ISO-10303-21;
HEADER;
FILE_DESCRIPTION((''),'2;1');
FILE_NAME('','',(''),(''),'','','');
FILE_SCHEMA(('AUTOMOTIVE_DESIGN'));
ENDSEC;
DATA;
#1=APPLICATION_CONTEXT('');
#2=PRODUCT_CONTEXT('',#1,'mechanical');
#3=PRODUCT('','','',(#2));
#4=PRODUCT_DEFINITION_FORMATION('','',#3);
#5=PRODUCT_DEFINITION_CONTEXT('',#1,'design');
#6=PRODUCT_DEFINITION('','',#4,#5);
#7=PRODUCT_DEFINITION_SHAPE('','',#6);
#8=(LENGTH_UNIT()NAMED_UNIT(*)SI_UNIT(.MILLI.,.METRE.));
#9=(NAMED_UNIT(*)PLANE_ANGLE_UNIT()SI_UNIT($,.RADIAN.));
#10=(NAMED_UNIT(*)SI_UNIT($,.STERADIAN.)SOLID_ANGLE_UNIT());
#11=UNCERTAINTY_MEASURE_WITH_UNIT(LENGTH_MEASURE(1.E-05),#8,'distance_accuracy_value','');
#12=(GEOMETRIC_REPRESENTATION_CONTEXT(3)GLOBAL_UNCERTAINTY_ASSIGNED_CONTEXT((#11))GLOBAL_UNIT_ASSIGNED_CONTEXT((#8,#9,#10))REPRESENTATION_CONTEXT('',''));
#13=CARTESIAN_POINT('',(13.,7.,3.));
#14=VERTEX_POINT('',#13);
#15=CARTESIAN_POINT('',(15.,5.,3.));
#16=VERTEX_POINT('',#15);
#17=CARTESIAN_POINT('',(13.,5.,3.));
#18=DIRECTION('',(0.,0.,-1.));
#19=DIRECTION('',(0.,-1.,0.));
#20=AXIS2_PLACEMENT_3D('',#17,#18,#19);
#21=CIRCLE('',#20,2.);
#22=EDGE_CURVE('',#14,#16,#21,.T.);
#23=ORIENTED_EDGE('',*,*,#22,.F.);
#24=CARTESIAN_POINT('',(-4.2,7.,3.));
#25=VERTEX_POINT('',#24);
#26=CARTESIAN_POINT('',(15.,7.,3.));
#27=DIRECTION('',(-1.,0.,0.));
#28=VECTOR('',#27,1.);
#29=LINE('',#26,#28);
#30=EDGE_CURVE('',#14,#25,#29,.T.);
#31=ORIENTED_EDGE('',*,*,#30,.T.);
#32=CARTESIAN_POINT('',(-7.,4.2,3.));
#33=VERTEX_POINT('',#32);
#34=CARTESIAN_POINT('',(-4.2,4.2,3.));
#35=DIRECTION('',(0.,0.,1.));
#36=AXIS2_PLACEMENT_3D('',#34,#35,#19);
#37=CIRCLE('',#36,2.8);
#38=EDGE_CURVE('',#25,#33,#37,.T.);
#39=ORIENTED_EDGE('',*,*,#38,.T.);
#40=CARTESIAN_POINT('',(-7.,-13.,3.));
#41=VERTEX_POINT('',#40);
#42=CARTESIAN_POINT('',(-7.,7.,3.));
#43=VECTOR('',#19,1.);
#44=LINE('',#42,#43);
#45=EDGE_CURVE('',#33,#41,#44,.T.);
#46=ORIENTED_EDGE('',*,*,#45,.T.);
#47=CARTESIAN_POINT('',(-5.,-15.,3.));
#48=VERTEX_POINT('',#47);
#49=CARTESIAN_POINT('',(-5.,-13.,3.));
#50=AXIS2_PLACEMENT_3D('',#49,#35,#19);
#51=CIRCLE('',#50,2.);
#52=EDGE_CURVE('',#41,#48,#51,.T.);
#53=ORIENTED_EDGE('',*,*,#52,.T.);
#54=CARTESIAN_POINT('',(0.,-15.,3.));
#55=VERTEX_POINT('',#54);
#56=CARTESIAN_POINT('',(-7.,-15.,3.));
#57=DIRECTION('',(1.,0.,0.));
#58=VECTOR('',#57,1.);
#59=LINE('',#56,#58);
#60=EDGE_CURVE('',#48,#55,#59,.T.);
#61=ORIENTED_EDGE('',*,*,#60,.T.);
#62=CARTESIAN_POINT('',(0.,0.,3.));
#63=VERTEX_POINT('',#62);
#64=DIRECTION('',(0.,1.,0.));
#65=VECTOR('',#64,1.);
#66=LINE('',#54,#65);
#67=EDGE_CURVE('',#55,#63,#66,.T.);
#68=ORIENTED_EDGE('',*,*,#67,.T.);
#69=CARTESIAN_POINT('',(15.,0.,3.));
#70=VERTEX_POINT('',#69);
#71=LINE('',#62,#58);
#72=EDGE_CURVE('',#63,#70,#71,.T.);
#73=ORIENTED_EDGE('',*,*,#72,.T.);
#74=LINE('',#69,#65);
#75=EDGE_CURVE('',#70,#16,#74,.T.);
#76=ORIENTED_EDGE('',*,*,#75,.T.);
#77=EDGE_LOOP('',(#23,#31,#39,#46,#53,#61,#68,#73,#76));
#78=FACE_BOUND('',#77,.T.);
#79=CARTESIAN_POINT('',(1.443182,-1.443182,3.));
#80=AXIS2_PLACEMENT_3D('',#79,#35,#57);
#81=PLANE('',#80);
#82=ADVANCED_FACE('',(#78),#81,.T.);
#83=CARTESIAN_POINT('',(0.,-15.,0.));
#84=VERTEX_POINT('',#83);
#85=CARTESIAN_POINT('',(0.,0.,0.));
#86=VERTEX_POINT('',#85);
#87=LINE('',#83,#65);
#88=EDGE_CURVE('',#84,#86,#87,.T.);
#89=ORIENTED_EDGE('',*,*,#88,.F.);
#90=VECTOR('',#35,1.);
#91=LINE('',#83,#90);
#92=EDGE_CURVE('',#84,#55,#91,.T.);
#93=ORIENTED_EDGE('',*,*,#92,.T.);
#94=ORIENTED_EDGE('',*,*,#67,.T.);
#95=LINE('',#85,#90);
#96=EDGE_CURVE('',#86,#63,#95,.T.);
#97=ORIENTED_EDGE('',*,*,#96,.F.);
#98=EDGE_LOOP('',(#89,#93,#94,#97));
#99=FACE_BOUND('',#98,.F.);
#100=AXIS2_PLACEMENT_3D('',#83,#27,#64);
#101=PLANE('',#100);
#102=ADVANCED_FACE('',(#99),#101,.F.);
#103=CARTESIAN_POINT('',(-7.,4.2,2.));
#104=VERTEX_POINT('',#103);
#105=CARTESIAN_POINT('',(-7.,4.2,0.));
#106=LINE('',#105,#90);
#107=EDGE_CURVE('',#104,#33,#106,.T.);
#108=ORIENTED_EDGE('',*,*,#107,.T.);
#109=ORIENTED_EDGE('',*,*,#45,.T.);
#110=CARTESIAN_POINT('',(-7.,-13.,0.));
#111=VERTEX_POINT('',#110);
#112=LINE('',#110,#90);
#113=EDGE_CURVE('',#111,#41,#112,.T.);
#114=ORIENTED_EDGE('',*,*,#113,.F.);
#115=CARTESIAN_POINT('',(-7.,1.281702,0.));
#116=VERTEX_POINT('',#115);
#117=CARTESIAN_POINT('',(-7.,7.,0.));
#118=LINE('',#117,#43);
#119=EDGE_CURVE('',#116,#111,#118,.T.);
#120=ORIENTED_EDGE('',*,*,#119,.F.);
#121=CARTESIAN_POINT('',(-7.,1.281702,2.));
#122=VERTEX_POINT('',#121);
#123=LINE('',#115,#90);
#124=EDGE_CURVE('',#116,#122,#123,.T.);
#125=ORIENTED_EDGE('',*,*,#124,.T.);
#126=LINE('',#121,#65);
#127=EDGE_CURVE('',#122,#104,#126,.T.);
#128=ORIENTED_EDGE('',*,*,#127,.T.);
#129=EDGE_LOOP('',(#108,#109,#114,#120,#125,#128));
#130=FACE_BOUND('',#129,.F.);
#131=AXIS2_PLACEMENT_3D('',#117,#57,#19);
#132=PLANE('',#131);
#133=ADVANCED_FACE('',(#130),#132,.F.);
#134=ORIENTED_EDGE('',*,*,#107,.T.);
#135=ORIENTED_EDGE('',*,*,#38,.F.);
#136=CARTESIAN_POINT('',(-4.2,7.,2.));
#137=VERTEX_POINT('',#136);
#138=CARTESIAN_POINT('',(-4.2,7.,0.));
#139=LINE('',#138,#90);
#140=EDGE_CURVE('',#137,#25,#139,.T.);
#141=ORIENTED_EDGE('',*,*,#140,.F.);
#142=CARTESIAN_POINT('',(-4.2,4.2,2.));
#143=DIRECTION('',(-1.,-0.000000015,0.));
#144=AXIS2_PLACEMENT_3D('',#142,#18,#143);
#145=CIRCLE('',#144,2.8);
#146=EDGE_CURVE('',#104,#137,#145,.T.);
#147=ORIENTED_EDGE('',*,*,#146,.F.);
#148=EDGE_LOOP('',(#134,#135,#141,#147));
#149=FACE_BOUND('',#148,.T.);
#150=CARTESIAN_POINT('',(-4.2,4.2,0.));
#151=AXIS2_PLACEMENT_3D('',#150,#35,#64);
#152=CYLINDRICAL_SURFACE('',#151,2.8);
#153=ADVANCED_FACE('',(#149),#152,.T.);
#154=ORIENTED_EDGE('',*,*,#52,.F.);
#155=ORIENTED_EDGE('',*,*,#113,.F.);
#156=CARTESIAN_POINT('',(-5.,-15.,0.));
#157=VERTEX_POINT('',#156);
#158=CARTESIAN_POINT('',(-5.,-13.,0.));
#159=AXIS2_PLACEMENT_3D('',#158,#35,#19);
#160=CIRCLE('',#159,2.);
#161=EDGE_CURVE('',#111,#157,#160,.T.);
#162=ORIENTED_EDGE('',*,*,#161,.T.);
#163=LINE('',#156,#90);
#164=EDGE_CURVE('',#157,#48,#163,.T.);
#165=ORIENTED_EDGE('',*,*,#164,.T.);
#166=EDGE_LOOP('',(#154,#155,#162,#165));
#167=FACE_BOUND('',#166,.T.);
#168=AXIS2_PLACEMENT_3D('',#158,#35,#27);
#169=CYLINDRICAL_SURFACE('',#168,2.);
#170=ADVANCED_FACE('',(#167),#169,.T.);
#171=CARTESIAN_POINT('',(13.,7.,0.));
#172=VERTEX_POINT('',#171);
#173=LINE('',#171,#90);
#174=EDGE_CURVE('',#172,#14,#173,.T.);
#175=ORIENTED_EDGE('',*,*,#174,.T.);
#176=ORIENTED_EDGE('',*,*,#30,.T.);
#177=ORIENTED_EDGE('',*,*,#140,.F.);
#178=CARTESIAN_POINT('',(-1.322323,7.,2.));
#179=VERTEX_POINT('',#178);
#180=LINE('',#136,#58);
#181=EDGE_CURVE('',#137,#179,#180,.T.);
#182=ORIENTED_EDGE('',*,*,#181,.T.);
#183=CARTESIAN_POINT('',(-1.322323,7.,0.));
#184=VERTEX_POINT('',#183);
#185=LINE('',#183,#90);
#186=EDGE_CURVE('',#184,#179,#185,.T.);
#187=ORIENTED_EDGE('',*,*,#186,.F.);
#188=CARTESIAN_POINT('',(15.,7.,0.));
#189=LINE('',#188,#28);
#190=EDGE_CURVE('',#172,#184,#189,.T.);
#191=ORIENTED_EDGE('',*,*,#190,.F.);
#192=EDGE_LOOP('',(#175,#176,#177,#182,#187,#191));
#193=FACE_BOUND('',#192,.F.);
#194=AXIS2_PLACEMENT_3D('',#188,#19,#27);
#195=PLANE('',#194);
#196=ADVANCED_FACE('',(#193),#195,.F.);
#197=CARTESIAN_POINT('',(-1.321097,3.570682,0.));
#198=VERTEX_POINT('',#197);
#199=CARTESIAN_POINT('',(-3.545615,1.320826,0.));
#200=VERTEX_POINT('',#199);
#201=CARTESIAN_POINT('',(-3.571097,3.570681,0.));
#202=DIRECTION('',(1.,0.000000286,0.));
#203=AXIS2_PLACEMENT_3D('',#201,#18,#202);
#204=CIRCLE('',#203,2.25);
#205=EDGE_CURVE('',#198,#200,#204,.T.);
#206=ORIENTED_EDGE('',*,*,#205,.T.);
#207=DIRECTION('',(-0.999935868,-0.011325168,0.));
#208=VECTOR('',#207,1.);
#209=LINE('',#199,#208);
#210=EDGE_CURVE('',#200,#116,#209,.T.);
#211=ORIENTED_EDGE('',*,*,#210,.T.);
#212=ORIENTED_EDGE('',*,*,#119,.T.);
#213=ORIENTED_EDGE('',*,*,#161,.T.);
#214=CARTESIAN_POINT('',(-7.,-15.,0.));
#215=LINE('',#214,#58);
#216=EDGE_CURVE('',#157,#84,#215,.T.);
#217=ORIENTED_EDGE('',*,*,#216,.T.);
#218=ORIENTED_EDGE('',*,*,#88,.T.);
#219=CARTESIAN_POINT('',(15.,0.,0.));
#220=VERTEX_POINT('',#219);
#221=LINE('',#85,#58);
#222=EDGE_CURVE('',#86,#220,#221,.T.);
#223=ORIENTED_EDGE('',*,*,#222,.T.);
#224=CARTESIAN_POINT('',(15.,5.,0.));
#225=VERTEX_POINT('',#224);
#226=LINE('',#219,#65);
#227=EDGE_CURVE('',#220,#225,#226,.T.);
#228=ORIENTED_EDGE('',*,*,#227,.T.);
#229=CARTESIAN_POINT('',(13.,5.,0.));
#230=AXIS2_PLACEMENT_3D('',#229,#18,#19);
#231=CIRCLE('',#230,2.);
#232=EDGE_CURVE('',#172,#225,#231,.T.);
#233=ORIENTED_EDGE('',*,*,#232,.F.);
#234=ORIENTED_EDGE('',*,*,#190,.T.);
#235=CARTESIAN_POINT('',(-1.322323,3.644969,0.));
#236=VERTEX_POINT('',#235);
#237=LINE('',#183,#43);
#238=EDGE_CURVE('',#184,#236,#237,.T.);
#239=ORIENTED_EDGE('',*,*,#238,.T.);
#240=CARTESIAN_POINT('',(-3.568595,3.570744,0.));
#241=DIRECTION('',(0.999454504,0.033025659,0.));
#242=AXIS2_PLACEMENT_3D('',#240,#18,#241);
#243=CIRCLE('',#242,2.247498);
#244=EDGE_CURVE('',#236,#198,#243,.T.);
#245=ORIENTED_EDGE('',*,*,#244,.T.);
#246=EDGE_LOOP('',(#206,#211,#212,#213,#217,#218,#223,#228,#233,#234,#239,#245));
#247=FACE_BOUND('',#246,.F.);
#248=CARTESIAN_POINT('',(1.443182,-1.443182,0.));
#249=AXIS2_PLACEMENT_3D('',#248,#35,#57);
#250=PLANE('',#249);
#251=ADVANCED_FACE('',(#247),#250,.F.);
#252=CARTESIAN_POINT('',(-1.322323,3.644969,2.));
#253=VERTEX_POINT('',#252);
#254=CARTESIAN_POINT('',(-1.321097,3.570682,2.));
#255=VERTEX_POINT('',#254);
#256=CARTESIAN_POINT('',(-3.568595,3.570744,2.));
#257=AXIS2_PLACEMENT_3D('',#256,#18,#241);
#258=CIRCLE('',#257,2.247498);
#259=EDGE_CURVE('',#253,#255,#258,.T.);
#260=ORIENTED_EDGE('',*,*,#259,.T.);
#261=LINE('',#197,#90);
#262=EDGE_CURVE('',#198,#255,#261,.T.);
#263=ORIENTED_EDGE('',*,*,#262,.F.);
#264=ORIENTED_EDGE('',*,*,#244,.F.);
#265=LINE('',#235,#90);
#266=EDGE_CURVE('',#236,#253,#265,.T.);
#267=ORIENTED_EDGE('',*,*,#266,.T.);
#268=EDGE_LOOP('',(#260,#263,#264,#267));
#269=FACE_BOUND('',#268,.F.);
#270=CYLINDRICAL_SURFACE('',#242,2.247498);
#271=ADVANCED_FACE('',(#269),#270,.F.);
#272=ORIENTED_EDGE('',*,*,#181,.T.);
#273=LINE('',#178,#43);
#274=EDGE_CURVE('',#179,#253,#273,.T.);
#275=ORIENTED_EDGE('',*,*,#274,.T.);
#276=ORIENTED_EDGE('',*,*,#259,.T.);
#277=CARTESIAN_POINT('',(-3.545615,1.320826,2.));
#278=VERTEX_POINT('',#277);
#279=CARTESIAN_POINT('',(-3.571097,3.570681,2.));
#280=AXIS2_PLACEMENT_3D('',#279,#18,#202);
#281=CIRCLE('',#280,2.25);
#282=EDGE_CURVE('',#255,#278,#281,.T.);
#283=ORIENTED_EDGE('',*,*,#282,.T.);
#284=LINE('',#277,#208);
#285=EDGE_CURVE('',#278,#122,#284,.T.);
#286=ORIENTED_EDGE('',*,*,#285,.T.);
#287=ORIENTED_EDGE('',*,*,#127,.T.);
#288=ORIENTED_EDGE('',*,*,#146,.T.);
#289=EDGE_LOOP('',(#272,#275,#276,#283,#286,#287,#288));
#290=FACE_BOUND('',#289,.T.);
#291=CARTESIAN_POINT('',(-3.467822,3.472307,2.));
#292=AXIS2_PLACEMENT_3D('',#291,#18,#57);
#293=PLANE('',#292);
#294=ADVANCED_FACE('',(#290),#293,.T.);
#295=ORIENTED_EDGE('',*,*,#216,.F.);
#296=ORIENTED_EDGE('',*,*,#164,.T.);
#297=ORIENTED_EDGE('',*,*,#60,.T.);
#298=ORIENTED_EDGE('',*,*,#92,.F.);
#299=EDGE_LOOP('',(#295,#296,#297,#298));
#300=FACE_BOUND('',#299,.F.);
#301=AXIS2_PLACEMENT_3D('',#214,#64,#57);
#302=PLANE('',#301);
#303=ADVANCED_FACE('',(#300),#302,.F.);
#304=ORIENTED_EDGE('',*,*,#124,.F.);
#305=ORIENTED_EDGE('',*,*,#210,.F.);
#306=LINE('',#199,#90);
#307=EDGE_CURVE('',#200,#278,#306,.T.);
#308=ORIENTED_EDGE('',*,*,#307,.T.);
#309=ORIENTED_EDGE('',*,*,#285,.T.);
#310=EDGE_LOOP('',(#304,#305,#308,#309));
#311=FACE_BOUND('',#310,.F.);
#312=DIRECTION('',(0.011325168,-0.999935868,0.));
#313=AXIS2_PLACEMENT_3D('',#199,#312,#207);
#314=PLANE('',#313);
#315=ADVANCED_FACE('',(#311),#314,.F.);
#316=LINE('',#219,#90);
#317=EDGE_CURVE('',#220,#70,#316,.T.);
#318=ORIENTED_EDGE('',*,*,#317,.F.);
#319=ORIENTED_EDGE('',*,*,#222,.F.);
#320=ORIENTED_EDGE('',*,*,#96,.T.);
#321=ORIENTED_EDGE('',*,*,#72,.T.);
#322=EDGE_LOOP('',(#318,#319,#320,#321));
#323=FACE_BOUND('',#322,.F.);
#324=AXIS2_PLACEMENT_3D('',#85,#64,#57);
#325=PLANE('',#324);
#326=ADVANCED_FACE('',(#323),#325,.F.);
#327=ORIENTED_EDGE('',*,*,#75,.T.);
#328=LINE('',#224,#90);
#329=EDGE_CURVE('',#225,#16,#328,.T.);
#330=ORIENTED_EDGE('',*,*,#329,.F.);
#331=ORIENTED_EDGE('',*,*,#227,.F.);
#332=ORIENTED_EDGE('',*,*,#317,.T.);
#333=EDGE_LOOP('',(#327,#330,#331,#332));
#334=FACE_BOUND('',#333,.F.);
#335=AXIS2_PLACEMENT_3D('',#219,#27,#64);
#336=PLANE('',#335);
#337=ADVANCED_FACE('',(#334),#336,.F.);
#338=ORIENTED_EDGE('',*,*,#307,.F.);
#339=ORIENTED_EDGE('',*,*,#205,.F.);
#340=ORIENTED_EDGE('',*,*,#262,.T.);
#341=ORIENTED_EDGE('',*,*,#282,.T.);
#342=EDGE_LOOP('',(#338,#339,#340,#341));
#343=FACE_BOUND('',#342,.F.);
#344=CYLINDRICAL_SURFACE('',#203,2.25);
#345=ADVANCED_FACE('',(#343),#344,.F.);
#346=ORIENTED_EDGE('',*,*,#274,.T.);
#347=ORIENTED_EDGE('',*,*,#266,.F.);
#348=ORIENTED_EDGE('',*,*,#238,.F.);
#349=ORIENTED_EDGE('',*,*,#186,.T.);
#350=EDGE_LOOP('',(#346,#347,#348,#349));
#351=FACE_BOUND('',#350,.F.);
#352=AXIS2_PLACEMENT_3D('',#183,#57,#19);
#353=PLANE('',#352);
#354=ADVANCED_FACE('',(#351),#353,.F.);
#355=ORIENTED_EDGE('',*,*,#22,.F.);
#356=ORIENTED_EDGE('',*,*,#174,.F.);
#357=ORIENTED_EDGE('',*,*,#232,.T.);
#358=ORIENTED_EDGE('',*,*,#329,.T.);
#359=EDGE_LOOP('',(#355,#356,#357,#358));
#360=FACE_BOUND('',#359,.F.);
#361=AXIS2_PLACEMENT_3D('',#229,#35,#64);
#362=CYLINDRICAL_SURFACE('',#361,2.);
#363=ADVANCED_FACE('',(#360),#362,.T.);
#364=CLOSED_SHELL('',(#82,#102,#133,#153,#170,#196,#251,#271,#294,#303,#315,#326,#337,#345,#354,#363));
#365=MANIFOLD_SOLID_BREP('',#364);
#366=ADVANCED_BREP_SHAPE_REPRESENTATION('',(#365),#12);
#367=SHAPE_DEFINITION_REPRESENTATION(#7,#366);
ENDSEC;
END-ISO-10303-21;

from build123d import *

# Parameters (mm, degrees)
F1_DEPTH = 3
F2_R     = 2.8
F3_R     = 2
F5_DEPTH = 2


with BuildPart() as f1:
    # F0 (on Top) → F1 (new body)
    with BuildSketch(Plane.XY):
        Polygon((0, -15), (0, 0), (15, 0), (15, 7), (-7, 7), (-7, -15), align=None)
    extrude(amount=F1_DEPTH)

    # F2
    f2_edges = [f1.edges().sort_by_distance(p)[0] for p in [
        (-7, 7, 1.5),
    ]]
    fillet(f2_edges, radius=F2_R)

    # F3
    f3_edges = [f1.edges().sort_by_distance(p)[0] for p in [
        (15, 7, 1.5),
        (-7, -15, 1.5),
    ]]
    fillet(f3_edges, radius=F3_R)

    # F4 (on face) → F5 (cut)
    with BuildSketch(Plane(origin=(0, 0, 0), x_dir=(1, 0, 0), z_dir=(0, 0, -1))):
        with BuildLine():
            ThreePointArc((-1.322323, -3.644969), (-1.321403, -3.60783), (-1.321097, -3.570682))
            ThreePointArc((-1.321097, -3.570682), (-1.971123, -1.988726), (-3.545615, -1.320826))
            ThreePointArc((-3.545615, -1.320826), (-5.196971, -5.126005), (-1.322323, -3.644969))
        make_face()
        with BuildLine():
            ThreePointArc((-1.322323, -3.644969), (-5.196971, -5.126005), (-3.545615, -1.320826))
            Line((-3.545615, -1.320826), (-7, -1.281702))
            Line((-7, -1.281702), (-7, -4.2))
            ThreePointArc((-7, -4.2), (-6.179899, -6.179899), (-4.2, -7))
            Line((-4.2, -7), (-1.322323, -7))
            Line((-1.322323, -7), (-1.322323, -3.644969))
        make_face()
    extrude(amount=-F5_DEPTH, mode=Mode.SUBTRACT)


solid = f1.part
